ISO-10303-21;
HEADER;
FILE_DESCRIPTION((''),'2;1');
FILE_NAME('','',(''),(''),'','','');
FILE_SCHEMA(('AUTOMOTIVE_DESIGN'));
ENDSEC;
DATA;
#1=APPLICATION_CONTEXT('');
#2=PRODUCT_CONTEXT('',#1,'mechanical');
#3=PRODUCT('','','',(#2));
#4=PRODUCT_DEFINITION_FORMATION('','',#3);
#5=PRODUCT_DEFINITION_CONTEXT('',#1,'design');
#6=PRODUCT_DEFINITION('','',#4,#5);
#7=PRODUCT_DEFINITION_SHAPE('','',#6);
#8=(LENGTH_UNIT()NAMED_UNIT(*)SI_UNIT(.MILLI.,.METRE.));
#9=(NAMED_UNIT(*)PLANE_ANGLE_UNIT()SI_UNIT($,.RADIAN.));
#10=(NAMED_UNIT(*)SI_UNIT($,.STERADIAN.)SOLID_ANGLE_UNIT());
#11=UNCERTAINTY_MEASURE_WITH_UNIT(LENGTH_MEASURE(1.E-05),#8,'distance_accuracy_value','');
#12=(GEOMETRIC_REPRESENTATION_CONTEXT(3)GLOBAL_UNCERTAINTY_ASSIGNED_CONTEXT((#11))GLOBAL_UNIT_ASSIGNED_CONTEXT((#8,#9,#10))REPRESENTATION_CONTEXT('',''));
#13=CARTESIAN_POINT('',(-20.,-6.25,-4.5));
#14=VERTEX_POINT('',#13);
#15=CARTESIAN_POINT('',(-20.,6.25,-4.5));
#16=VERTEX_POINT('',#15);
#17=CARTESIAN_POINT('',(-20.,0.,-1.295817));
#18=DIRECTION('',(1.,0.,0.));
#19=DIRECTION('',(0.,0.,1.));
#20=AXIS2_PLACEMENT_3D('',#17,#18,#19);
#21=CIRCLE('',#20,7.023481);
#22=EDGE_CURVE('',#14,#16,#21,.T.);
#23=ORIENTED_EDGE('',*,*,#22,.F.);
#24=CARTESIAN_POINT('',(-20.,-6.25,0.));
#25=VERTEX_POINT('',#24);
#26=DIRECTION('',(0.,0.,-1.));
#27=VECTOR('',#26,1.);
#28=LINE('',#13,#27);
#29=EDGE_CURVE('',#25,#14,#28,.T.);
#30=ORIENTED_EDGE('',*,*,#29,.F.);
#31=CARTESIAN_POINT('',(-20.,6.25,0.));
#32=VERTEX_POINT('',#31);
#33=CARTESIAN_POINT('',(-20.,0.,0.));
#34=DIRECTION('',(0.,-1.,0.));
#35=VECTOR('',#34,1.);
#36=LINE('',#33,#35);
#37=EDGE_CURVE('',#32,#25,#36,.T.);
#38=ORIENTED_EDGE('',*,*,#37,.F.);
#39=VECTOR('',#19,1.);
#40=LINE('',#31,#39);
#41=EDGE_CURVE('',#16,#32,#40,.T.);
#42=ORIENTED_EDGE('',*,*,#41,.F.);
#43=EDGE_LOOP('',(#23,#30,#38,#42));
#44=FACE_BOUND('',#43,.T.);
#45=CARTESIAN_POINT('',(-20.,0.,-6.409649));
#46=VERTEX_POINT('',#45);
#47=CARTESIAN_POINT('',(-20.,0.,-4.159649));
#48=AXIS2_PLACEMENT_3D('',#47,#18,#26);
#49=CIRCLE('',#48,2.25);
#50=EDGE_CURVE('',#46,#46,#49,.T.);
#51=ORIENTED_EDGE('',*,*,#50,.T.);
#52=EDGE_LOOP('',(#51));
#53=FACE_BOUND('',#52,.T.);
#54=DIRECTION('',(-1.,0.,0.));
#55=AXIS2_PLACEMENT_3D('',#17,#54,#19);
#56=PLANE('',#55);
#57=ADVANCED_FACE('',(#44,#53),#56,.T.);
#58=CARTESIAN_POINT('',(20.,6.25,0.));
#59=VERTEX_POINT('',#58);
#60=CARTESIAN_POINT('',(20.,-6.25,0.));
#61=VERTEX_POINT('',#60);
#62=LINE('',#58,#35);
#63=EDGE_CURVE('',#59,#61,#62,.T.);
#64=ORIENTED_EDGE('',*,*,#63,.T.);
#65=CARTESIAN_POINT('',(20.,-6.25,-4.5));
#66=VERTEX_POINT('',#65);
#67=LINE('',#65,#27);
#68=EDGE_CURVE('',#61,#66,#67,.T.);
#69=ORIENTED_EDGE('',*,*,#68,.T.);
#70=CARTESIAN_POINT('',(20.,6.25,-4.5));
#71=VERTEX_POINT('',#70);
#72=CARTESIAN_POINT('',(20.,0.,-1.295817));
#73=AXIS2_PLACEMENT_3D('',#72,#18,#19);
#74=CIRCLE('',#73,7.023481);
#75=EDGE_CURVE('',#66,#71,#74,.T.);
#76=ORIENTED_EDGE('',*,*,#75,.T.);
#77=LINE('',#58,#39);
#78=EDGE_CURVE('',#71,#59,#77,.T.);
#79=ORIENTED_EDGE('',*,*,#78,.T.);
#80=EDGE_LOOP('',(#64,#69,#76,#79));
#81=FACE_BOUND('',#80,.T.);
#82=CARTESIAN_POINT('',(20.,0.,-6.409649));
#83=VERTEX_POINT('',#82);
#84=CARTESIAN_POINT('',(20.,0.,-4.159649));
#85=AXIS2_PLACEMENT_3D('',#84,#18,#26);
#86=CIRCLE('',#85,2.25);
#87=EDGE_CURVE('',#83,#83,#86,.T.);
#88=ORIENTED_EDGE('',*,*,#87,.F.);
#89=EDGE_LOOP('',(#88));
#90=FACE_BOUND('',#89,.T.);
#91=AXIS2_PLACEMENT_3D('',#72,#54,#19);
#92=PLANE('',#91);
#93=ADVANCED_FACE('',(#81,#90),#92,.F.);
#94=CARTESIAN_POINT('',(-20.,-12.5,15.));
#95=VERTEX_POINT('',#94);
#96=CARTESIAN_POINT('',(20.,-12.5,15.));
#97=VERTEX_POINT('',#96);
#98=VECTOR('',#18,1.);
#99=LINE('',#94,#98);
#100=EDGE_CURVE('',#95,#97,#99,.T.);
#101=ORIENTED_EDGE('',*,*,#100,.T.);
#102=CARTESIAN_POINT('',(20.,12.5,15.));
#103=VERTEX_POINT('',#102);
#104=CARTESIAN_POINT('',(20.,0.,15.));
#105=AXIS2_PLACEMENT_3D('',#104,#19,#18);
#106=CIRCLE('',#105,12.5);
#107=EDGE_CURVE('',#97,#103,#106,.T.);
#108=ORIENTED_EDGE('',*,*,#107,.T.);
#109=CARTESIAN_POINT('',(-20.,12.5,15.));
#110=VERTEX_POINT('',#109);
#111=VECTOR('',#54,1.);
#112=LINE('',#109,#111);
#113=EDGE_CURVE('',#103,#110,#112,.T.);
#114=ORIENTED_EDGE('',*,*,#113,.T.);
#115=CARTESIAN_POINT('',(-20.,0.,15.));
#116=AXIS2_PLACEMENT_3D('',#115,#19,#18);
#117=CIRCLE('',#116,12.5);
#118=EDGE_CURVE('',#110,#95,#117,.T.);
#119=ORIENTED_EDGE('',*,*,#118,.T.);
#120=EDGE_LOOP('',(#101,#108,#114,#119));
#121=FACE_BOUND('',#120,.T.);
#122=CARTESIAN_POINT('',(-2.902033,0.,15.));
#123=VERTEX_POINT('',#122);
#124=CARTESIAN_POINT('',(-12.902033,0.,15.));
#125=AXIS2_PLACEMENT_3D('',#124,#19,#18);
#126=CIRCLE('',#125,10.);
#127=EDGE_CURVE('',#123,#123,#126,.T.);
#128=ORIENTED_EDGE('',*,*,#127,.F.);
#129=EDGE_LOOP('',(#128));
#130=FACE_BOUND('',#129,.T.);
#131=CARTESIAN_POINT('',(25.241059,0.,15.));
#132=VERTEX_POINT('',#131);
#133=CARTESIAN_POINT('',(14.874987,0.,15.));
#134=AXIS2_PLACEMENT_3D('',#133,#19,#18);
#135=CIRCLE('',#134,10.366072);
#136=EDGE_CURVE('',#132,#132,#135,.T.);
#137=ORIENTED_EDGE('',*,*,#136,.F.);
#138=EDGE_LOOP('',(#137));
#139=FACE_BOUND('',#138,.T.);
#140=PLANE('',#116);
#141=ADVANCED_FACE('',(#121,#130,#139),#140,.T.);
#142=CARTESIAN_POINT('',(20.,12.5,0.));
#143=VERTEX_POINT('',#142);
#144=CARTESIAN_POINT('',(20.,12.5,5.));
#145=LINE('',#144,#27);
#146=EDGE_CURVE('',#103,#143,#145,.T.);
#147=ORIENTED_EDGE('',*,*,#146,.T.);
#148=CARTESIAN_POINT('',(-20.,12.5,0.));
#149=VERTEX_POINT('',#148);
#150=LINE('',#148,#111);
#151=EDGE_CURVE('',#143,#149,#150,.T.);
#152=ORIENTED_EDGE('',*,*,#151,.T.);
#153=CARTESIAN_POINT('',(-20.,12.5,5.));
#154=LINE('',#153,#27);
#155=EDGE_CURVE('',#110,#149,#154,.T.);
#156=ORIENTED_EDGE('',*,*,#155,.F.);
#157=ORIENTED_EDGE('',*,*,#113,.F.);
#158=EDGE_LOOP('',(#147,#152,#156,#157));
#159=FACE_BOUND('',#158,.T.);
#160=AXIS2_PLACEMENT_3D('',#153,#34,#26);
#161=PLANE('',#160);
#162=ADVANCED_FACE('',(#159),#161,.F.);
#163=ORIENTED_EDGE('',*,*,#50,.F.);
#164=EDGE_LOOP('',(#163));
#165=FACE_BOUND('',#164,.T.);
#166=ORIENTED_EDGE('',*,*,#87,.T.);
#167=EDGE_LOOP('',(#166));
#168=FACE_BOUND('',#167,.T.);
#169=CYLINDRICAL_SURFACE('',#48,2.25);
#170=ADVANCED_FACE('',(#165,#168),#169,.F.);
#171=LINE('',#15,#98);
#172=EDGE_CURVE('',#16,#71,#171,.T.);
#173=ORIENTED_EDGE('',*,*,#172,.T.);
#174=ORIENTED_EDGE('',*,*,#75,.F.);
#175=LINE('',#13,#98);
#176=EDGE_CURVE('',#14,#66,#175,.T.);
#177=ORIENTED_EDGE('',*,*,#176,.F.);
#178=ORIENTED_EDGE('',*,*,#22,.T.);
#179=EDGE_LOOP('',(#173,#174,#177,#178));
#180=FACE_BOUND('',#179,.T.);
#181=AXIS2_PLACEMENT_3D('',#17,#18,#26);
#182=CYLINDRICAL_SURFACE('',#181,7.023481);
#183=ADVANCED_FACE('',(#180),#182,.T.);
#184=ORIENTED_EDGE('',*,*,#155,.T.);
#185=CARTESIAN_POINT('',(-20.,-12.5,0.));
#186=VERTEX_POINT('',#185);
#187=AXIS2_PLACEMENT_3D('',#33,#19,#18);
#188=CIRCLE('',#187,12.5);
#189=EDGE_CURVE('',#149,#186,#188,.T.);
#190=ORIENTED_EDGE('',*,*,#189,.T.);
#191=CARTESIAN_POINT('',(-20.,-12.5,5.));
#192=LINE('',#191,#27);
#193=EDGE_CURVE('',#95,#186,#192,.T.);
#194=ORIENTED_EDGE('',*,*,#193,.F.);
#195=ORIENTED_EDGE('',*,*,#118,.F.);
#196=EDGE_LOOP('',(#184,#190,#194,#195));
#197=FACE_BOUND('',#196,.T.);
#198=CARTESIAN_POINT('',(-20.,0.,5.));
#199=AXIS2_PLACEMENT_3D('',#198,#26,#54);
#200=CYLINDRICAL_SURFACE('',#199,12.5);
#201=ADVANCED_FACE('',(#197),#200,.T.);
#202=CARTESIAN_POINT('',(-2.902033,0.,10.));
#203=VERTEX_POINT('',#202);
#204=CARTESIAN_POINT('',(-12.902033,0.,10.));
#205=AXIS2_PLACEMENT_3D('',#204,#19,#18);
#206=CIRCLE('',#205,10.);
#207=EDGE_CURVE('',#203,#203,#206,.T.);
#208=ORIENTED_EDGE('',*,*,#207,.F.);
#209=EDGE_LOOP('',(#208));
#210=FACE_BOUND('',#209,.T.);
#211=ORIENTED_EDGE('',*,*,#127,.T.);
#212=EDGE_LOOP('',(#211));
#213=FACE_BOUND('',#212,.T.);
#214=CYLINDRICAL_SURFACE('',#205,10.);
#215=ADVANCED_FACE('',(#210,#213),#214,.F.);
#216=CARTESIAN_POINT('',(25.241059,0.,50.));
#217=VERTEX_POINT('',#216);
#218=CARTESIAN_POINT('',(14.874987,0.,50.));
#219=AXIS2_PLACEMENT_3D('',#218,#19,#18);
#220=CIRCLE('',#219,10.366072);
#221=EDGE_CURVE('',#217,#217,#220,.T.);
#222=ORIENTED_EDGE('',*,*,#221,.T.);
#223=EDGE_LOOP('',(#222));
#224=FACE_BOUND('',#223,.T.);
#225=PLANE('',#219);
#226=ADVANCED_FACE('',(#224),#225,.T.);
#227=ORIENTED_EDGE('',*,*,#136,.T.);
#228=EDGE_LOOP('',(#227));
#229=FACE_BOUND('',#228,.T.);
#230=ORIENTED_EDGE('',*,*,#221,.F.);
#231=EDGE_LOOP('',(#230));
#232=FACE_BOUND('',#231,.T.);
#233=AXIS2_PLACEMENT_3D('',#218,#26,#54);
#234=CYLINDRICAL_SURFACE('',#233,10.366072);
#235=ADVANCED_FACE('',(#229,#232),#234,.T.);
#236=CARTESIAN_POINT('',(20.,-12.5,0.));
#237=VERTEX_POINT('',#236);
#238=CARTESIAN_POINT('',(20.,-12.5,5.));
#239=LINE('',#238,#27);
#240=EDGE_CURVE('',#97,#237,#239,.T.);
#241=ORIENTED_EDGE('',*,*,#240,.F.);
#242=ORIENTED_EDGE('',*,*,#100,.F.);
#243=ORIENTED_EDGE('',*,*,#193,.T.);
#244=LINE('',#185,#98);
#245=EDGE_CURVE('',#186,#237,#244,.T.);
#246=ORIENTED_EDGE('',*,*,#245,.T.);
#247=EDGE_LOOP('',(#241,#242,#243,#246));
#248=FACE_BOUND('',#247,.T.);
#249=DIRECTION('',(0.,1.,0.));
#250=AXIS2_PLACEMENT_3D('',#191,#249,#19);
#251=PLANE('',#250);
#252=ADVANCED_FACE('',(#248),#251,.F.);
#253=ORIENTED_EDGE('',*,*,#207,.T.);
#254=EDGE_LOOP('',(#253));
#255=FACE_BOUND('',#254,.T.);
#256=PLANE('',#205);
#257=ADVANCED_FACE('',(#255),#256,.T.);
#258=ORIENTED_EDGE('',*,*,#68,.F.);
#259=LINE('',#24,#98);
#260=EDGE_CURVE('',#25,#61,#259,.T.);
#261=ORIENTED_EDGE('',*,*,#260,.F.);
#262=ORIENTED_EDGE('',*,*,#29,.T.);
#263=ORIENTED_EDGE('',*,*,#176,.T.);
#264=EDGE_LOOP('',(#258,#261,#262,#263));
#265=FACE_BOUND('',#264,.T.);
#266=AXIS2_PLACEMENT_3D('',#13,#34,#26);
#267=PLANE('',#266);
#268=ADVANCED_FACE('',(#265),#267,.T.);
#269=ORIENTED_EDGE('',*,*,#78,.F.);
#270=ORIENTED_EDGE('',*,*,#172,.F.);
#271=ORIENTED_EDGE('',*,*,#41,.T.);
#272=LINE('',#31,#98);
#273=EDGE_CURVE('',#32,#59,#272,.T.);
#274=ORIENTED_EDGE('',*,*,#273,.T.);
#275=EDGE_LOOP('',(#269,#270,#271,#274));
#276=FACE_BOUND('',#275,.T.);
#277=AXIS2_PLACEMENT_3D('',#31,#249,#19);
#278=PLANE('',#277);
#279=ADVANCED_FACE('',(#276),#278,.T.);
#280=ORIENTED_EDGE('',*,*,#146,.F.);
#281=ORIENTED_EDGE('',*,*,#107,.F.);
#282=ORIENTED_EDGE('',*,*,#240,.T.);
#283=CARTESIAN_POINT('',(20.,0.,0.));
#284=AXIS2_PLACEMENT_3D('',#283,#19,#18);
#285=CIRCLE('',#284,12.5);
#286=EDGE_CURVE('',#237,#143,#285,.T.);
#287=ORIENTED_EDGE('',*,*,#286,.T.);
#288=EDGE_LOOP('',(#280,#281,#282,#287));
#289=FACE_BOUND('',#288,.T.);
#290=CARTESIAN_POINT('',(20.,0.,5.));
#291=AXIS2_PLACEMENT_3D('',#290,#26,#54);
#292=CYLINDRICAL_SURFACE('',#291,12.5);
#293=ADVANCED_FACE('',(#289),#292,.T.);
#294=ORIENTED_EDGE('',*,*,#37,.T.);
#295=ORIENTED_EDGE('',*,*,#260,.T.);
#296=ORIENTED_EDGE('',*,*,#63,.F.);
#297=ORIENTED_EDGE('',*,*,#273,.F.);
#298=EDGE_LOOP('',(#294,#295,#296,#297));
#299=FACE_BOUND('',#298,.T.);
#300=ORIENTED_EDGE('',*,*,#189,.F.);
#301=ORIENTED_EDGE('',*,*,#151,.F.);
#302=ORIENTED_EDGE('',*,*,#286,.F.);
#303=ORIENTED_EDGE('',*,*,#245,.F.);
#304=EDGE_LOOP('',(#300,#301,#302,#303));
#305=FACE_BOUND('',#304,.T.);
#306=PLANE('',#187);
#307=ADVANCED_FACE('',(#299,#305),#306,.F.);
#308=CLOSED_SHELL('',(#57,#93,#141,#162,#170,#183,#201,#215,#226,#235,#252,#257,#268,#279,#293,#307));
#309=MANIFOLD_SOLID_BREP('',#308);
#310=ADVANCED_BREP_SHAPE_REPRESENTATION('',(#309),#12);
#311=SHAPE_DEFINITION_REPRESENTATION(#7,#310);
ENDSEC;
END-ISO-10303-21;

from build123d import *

# Parameters (mm, degrees)
BOSS_EXTRUDE1_DEPTH = 5
BOSS_EXTRUDE2_DEPTH = 5
BOSS_EXTRUDE3_DEPTH = 5
SKETCH5_R           = 10
SKETCH5_R_2         = 7.5
CUT_EXTRUDE1_DEPTH  = 5
SKETCH6_R           = 10.366071997
BOSS_EXTRUDE4_DEPTH = 35
SKETCH7_R           = 7.5
CUT_EXTRUDE2_DEPTH  = 5
BOSS_EXTRUDE5_DEPTH = 40
SKETCH10_R          = 2.25
CUT_EXTRUDE3_DEPTH  = 40


with BuildPart() as part:
    # Sketch1 → Boss-Extrude1 (new body)
    with BuildSketch(Plane.XY):
        with BuildLine():
            Line((-20, 12.5), (20, 12.5))
            ThreePointArc((20, 12.5), (32.5, 0), (20, -12.5))
            Line((20, -12.5), (-20, -12.5))
            ThreePointArc((-20, -12.5), (-32.5, 0), (-20, 12.5))
        make_face()
    extrude(amount=BOSS_EXTRUDE1_DEPTH)

    # Sketch2 → Boss-Extrude2 (add)
    with BuildSketch(Plane.XY.offset(5)):
        with BuildLine():
            Line((-20, 12.5), (20, 12.5))
            ThreePointArc((20, 12.5), (32.5, 0), (20, -12.5))
            Line((20, -12.5), (-20, -12.5))
            ThreePointArc((-20, -12.5), (-32.5, 0), (-20, 12.5))
        make_face()
    extrude(amount=BOSS_EXTRUDE2_DEPTH)

    # Sketch4 → Boss-Extrude3 (add)
    with BuildSketch(Plane.XY.offset(10)):
        with BuildLine():
            Line((-20, 12.5), (20, 12.5))
            ThreePointArc((20, 12.5), (32.5, 0), (20, -12.5))
            Line((20, -12.5), (-20, -12.5))
            ThreePointArc((-20, -12.5), (-32.5, 0), (-20, 12.5))
        make_face()
    extrude(amount=BOSS_EXTRUDE3_DEPTH)

    # Sketch5 → Cut-Extrude1 (cut)
    with BuildSketch(Plane.XY.offset(15)):
        with Locations((-12.902032685, 0)):
            Circle(SKETCH5_R)
        with Locations((-12.902032685, 0)):
            Circle(SKETCH5_R_2, mode=Mode.SUBTRACT)
    extrude(amount=-CUT_EXTRUDE1_DEPTH, mode=Mode.SUBTRACT)

    # Sketch6 → Boss-Extrude4 (add)
    with BuildSketch(Plane.XY.offset(15)):
        with Locations((14.874986592, 0)):
            Circle(SKETCH6_R)
    extrude(amount=BOSS_EXTRUDE4_DEPTH)

    # Sketch7 → Cut-Extrude2 (cut)
    with BuildSketch(Plane.XY.offset(15)):
        with Locations((-12.902032685, 0)):
            Circle(SKETCH7_R)
    extrude(amount=-CUT_EXTRUDE2_DEPTH, mode=Mode.SUBTRACT)

    # Sketch9 → Boss-Extrude5 (add)
    with BuildSketch(Plane(origin=(20, 0, 0), x_dir=(0, 0, -1), z_dir=(1, 0, 0))):
        with BuildLine():
            Line((0, 6.25), (0, 0))
            Line((0, 0), (0, -6.25))
            Line((0, -6.25), (4.5, -6.25))
            ThreePointArc((4.5, -6.25), (8.319298262, 0), (4.5, 6.25))
            Line((4.5, 6.25), (0, 6.25))
        make_face()
    extrude(amount=-BOSS_EXTRUDE5_DEPTH)

    # Sketch10 → Cut-Extrude3 (cut)
    with BuildSketch(Plane(origin=(20, 0, 0), x_dir=(0, 0, -1), z_dir=(1, 0, 0))):
        with Locations((4.159649131, 0)):
            Circle(SKETCH10_R)
    extrude(amount=-CUT_EXTRUDE3_DEPTH, mode=Mode.SUBTRACT)


solid = part.part
